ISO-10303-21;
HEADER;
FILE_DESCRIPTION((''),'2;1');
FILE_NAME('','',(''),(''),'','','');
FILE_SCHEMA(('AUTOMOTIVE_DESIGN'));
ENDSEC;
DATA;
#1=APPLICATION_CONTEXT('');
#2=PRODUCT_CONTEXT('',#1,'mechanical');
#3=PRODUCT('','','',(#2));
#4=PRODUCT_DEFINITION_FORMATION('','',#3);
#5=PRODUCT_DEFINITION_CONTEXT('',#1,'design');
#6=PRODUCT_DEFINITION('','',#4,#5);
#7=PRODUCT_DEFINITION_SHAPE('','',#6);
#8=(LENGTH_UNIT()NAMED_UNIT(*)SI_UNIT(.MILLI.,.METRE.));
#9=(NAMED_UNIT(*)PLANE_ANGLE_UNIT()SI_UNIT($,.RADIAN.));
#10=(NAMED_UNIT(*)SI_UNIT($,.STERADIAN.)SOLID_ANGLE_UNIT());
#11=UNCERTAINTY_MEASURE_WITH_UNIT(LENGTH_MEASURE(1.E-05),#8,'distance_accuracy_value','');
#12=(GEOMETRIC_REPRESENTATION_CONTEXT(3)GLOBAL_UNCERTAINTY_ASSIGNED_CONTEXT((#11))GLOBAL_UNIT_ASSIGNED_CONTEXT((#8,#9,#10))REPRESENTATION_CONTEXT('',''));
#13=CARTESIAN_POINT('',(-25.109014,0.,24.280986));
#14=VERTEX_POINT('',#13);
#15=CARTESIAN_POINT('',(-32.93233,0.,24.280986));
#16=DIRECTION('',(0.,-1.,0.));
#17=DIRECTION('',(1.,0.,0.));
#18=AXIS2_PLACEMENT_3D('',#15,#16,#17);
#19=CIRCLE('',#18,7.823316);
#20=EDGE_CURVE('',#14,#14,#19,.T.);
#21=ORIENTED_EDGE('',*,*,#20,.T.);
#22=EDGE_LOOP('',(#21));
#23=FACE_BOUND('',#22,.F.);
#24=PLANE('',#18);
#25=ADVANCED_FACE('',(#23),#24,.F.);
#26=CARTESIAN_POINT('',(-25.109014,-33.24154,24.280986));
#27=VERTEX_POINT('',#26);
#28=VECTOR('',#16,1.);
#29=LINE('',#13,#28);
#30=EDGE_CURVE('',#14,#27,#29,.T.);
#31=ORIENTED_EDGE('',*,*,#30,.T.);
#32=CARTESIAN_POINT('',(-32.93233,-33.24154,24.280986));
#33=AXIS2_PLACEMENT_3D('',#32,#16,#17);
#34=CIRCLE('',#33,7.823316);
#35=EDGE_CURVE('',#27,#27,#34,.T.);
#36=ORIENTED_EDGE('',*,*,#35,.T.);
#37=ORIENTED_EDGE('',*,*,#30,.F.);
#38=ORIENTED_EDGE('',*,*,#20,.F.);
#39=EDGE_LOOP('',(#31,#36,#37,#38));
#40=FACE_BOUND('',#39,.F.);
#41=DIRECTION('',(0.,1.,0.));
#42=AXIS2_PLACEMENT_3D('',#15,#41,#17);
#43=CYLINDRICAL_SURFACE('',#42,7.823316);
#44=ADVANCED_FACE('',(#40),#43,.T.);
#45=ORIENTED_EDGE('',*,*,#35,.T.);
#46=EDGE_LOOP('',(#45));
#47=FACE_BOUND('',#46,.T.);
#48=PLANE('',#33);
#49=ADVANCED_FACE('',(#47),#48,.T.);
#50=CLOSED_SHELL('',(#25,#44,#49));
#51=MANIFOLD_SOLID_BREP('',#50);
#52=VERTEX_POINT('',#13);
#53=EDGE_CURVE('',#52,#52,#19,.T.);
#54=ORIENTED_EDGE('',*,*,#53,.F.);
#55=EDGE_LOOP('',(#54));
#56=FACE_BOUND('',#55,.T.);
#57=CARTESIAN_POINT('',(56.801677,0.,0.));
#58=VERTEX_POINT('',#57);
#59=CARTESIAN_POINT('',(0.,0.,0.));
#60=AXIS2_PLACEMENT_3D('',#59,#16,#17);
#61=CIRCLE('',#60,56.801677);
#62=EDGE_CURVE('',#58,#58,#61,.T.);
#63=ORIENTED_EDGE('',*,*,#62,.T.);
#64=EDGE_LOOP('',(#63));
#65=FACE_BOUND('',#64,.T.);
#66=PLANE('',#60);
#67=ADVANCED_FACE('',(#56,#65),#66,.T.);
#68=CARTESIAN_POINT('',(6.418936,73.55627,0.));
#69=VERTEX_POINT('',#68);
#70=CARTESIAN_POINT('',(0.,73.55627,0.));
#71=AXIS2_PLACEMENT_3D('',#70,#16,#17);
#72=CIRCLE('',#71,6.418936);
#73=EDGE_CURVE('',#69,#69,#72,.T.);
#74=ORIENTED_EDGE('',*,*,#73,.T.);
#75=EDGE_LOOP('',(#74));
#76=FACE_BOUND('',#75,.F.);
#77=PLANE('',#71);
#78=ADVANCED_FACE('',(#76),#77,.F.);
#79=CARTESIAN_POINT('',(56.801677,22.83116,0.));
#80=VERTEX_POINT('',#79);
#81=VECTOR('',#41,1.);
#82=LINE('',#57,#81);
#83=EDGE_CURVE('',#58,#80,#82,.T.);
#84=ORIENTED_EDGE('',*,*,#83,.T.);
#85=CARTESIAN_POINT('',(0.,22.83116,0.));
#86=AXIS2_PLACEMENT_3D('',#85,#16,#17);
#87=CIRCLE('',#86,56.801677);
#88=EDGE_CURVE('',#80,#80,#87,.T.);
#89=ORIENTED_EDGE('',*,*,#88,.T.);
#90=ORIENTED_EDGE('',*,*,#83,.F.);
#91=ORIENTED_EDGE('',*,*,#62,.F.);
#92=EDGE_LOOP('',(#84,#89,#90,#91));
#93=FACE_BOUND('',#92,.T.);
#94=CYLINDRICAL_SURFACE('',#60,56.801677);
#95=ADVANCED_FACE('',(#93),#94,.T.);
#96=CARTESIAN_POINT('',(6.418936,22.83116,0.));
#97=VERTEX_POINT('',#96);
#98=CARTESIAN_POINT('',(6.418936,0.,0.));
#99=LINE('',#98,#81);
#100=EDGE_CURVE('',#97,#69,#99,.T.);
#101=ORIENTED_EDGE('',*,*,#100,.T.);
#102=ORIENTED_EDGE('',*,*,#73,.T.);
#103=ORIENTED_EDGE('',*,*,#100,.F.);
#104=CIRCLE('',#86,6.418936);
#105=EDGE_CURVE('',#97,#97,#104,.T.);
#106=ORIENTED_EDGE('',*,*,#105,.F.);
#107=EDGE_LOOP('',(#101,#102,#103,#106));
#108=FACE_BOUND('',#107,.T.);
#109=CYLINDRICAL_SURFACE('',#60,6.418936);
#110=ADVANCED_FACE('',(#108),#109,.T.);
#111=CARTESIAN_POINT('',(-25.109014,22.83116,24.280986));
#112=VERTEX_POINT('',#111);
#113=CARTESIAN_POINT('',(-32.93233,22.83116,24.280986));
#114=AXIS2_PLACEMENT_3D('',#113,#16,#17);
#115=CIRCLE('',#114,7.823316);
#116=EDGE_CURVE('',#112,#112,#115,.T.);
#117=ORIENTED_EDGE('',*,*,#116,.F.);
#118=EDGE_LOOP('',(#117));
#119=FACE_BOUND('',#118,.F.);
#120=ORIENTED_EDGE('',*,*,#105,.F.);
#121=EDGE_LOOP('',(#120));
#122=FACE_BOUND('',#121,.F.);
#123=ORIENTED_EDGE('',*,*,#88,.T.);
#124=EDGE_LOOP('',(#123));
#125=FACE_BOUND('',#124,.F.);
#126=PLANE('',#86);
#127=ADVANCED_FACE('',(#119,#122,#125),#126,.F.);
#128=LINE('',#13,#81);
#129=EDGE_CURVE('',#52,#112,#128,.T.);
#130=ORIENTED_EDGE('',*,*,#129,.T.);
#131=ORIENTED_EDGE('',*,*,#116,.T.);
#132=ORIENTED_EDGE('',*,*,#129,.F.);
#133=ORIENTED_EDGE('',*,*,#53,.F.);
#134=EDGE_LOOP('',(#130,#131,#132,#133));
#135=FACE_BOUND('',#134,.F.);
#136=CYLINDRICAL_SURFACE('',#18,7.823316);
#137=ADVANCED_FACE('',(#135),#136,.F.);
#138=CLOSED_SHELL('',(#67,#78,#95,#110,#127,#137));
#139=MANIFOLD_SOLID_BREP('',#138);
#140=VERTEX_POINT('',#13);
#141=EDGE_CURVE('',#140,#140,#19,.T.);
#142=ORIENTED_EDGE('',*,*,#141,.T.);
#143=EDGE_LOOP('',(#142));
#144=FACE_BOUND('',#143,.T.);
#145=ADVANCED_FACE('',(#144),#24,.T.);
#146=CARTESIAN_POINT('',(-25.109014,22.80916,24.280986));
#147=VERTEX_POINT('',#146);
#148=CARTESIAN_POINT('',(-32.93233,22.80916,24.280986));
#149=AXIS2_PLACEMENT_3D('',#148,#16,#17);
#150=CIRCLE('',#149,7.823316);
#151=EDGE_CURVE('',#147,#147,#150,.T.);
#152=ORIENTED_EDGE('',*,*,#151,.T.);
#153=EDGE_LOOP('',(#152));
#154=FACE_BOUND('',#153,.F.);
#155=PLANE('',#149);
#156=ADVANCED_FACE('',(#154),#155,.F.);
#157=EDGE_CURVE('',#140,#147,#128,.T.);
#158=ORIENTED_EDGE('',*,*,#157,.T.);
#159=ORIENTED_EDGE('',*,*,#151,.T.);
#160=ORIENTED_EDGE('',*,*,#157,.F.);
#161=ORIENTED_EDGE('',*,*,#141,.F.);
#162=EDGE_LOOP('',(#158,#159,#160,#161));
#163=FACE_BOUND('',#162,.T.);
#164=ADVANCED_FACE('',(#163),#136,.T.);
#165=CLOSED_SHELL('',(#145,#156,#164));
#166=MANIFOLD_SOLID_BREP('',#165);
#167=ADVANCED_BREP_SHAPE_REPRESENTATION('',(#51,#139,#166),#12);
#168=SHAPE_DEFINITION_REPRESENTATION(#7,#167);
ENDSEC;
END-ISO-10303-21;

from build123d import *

# Parameters (mm, degrees)
F0_R     = 7.823316
F1_DEPTH = 33.24154
F0_R_2   = 56.801677
F2_DEPTH = 22.83116
F3_D     = 12.7508
F4_DEPTH = 22.80916
F5_R     = 6.418936
F6_DEPTH = 73.55627


with BuildPart() as f1:
    # F0 (on Front) → F1 (new body)
    with BuildSketch(Plane.XZ):
        with Locations((-32.93233, 24.280986)):
            Circle(F0_R)
    extrude(amount=F1_DEPTH)


with BuildPart() as f2:
    # F0 (on Front) → F2 (new body)
    with BuildSketch(Plane.XZ):
        Circle(F0_R_2)
        with Locations((-32.93233, 24.280986)):
            Circle(F0_R, mode=Mode.SUBTRACT)
    extrude(amount=-F2_DEPTH)

    # F3 (through all)
    with Locations(Plane.XZ):
        with Locations((0, 0)):
            Hole(F3_D / 2)

    # F5 (on Front) → F6 (join)
    with BuildSketch(Plane.XZ):
        Circle(F5_R)
    extrude(amount=-F6_DEPTH)


with BuildPart() as f4:
    # F0 (on Front) → F4 (new body)
    with BuildSketch(Plane.XZ):
        with Locations((-32.93233, 24.280986)):
            Circle(F0_R)
    extrude(amount=-F4_DEPTH)


solid = Compound([f1.part, f2.part, f4.part])
